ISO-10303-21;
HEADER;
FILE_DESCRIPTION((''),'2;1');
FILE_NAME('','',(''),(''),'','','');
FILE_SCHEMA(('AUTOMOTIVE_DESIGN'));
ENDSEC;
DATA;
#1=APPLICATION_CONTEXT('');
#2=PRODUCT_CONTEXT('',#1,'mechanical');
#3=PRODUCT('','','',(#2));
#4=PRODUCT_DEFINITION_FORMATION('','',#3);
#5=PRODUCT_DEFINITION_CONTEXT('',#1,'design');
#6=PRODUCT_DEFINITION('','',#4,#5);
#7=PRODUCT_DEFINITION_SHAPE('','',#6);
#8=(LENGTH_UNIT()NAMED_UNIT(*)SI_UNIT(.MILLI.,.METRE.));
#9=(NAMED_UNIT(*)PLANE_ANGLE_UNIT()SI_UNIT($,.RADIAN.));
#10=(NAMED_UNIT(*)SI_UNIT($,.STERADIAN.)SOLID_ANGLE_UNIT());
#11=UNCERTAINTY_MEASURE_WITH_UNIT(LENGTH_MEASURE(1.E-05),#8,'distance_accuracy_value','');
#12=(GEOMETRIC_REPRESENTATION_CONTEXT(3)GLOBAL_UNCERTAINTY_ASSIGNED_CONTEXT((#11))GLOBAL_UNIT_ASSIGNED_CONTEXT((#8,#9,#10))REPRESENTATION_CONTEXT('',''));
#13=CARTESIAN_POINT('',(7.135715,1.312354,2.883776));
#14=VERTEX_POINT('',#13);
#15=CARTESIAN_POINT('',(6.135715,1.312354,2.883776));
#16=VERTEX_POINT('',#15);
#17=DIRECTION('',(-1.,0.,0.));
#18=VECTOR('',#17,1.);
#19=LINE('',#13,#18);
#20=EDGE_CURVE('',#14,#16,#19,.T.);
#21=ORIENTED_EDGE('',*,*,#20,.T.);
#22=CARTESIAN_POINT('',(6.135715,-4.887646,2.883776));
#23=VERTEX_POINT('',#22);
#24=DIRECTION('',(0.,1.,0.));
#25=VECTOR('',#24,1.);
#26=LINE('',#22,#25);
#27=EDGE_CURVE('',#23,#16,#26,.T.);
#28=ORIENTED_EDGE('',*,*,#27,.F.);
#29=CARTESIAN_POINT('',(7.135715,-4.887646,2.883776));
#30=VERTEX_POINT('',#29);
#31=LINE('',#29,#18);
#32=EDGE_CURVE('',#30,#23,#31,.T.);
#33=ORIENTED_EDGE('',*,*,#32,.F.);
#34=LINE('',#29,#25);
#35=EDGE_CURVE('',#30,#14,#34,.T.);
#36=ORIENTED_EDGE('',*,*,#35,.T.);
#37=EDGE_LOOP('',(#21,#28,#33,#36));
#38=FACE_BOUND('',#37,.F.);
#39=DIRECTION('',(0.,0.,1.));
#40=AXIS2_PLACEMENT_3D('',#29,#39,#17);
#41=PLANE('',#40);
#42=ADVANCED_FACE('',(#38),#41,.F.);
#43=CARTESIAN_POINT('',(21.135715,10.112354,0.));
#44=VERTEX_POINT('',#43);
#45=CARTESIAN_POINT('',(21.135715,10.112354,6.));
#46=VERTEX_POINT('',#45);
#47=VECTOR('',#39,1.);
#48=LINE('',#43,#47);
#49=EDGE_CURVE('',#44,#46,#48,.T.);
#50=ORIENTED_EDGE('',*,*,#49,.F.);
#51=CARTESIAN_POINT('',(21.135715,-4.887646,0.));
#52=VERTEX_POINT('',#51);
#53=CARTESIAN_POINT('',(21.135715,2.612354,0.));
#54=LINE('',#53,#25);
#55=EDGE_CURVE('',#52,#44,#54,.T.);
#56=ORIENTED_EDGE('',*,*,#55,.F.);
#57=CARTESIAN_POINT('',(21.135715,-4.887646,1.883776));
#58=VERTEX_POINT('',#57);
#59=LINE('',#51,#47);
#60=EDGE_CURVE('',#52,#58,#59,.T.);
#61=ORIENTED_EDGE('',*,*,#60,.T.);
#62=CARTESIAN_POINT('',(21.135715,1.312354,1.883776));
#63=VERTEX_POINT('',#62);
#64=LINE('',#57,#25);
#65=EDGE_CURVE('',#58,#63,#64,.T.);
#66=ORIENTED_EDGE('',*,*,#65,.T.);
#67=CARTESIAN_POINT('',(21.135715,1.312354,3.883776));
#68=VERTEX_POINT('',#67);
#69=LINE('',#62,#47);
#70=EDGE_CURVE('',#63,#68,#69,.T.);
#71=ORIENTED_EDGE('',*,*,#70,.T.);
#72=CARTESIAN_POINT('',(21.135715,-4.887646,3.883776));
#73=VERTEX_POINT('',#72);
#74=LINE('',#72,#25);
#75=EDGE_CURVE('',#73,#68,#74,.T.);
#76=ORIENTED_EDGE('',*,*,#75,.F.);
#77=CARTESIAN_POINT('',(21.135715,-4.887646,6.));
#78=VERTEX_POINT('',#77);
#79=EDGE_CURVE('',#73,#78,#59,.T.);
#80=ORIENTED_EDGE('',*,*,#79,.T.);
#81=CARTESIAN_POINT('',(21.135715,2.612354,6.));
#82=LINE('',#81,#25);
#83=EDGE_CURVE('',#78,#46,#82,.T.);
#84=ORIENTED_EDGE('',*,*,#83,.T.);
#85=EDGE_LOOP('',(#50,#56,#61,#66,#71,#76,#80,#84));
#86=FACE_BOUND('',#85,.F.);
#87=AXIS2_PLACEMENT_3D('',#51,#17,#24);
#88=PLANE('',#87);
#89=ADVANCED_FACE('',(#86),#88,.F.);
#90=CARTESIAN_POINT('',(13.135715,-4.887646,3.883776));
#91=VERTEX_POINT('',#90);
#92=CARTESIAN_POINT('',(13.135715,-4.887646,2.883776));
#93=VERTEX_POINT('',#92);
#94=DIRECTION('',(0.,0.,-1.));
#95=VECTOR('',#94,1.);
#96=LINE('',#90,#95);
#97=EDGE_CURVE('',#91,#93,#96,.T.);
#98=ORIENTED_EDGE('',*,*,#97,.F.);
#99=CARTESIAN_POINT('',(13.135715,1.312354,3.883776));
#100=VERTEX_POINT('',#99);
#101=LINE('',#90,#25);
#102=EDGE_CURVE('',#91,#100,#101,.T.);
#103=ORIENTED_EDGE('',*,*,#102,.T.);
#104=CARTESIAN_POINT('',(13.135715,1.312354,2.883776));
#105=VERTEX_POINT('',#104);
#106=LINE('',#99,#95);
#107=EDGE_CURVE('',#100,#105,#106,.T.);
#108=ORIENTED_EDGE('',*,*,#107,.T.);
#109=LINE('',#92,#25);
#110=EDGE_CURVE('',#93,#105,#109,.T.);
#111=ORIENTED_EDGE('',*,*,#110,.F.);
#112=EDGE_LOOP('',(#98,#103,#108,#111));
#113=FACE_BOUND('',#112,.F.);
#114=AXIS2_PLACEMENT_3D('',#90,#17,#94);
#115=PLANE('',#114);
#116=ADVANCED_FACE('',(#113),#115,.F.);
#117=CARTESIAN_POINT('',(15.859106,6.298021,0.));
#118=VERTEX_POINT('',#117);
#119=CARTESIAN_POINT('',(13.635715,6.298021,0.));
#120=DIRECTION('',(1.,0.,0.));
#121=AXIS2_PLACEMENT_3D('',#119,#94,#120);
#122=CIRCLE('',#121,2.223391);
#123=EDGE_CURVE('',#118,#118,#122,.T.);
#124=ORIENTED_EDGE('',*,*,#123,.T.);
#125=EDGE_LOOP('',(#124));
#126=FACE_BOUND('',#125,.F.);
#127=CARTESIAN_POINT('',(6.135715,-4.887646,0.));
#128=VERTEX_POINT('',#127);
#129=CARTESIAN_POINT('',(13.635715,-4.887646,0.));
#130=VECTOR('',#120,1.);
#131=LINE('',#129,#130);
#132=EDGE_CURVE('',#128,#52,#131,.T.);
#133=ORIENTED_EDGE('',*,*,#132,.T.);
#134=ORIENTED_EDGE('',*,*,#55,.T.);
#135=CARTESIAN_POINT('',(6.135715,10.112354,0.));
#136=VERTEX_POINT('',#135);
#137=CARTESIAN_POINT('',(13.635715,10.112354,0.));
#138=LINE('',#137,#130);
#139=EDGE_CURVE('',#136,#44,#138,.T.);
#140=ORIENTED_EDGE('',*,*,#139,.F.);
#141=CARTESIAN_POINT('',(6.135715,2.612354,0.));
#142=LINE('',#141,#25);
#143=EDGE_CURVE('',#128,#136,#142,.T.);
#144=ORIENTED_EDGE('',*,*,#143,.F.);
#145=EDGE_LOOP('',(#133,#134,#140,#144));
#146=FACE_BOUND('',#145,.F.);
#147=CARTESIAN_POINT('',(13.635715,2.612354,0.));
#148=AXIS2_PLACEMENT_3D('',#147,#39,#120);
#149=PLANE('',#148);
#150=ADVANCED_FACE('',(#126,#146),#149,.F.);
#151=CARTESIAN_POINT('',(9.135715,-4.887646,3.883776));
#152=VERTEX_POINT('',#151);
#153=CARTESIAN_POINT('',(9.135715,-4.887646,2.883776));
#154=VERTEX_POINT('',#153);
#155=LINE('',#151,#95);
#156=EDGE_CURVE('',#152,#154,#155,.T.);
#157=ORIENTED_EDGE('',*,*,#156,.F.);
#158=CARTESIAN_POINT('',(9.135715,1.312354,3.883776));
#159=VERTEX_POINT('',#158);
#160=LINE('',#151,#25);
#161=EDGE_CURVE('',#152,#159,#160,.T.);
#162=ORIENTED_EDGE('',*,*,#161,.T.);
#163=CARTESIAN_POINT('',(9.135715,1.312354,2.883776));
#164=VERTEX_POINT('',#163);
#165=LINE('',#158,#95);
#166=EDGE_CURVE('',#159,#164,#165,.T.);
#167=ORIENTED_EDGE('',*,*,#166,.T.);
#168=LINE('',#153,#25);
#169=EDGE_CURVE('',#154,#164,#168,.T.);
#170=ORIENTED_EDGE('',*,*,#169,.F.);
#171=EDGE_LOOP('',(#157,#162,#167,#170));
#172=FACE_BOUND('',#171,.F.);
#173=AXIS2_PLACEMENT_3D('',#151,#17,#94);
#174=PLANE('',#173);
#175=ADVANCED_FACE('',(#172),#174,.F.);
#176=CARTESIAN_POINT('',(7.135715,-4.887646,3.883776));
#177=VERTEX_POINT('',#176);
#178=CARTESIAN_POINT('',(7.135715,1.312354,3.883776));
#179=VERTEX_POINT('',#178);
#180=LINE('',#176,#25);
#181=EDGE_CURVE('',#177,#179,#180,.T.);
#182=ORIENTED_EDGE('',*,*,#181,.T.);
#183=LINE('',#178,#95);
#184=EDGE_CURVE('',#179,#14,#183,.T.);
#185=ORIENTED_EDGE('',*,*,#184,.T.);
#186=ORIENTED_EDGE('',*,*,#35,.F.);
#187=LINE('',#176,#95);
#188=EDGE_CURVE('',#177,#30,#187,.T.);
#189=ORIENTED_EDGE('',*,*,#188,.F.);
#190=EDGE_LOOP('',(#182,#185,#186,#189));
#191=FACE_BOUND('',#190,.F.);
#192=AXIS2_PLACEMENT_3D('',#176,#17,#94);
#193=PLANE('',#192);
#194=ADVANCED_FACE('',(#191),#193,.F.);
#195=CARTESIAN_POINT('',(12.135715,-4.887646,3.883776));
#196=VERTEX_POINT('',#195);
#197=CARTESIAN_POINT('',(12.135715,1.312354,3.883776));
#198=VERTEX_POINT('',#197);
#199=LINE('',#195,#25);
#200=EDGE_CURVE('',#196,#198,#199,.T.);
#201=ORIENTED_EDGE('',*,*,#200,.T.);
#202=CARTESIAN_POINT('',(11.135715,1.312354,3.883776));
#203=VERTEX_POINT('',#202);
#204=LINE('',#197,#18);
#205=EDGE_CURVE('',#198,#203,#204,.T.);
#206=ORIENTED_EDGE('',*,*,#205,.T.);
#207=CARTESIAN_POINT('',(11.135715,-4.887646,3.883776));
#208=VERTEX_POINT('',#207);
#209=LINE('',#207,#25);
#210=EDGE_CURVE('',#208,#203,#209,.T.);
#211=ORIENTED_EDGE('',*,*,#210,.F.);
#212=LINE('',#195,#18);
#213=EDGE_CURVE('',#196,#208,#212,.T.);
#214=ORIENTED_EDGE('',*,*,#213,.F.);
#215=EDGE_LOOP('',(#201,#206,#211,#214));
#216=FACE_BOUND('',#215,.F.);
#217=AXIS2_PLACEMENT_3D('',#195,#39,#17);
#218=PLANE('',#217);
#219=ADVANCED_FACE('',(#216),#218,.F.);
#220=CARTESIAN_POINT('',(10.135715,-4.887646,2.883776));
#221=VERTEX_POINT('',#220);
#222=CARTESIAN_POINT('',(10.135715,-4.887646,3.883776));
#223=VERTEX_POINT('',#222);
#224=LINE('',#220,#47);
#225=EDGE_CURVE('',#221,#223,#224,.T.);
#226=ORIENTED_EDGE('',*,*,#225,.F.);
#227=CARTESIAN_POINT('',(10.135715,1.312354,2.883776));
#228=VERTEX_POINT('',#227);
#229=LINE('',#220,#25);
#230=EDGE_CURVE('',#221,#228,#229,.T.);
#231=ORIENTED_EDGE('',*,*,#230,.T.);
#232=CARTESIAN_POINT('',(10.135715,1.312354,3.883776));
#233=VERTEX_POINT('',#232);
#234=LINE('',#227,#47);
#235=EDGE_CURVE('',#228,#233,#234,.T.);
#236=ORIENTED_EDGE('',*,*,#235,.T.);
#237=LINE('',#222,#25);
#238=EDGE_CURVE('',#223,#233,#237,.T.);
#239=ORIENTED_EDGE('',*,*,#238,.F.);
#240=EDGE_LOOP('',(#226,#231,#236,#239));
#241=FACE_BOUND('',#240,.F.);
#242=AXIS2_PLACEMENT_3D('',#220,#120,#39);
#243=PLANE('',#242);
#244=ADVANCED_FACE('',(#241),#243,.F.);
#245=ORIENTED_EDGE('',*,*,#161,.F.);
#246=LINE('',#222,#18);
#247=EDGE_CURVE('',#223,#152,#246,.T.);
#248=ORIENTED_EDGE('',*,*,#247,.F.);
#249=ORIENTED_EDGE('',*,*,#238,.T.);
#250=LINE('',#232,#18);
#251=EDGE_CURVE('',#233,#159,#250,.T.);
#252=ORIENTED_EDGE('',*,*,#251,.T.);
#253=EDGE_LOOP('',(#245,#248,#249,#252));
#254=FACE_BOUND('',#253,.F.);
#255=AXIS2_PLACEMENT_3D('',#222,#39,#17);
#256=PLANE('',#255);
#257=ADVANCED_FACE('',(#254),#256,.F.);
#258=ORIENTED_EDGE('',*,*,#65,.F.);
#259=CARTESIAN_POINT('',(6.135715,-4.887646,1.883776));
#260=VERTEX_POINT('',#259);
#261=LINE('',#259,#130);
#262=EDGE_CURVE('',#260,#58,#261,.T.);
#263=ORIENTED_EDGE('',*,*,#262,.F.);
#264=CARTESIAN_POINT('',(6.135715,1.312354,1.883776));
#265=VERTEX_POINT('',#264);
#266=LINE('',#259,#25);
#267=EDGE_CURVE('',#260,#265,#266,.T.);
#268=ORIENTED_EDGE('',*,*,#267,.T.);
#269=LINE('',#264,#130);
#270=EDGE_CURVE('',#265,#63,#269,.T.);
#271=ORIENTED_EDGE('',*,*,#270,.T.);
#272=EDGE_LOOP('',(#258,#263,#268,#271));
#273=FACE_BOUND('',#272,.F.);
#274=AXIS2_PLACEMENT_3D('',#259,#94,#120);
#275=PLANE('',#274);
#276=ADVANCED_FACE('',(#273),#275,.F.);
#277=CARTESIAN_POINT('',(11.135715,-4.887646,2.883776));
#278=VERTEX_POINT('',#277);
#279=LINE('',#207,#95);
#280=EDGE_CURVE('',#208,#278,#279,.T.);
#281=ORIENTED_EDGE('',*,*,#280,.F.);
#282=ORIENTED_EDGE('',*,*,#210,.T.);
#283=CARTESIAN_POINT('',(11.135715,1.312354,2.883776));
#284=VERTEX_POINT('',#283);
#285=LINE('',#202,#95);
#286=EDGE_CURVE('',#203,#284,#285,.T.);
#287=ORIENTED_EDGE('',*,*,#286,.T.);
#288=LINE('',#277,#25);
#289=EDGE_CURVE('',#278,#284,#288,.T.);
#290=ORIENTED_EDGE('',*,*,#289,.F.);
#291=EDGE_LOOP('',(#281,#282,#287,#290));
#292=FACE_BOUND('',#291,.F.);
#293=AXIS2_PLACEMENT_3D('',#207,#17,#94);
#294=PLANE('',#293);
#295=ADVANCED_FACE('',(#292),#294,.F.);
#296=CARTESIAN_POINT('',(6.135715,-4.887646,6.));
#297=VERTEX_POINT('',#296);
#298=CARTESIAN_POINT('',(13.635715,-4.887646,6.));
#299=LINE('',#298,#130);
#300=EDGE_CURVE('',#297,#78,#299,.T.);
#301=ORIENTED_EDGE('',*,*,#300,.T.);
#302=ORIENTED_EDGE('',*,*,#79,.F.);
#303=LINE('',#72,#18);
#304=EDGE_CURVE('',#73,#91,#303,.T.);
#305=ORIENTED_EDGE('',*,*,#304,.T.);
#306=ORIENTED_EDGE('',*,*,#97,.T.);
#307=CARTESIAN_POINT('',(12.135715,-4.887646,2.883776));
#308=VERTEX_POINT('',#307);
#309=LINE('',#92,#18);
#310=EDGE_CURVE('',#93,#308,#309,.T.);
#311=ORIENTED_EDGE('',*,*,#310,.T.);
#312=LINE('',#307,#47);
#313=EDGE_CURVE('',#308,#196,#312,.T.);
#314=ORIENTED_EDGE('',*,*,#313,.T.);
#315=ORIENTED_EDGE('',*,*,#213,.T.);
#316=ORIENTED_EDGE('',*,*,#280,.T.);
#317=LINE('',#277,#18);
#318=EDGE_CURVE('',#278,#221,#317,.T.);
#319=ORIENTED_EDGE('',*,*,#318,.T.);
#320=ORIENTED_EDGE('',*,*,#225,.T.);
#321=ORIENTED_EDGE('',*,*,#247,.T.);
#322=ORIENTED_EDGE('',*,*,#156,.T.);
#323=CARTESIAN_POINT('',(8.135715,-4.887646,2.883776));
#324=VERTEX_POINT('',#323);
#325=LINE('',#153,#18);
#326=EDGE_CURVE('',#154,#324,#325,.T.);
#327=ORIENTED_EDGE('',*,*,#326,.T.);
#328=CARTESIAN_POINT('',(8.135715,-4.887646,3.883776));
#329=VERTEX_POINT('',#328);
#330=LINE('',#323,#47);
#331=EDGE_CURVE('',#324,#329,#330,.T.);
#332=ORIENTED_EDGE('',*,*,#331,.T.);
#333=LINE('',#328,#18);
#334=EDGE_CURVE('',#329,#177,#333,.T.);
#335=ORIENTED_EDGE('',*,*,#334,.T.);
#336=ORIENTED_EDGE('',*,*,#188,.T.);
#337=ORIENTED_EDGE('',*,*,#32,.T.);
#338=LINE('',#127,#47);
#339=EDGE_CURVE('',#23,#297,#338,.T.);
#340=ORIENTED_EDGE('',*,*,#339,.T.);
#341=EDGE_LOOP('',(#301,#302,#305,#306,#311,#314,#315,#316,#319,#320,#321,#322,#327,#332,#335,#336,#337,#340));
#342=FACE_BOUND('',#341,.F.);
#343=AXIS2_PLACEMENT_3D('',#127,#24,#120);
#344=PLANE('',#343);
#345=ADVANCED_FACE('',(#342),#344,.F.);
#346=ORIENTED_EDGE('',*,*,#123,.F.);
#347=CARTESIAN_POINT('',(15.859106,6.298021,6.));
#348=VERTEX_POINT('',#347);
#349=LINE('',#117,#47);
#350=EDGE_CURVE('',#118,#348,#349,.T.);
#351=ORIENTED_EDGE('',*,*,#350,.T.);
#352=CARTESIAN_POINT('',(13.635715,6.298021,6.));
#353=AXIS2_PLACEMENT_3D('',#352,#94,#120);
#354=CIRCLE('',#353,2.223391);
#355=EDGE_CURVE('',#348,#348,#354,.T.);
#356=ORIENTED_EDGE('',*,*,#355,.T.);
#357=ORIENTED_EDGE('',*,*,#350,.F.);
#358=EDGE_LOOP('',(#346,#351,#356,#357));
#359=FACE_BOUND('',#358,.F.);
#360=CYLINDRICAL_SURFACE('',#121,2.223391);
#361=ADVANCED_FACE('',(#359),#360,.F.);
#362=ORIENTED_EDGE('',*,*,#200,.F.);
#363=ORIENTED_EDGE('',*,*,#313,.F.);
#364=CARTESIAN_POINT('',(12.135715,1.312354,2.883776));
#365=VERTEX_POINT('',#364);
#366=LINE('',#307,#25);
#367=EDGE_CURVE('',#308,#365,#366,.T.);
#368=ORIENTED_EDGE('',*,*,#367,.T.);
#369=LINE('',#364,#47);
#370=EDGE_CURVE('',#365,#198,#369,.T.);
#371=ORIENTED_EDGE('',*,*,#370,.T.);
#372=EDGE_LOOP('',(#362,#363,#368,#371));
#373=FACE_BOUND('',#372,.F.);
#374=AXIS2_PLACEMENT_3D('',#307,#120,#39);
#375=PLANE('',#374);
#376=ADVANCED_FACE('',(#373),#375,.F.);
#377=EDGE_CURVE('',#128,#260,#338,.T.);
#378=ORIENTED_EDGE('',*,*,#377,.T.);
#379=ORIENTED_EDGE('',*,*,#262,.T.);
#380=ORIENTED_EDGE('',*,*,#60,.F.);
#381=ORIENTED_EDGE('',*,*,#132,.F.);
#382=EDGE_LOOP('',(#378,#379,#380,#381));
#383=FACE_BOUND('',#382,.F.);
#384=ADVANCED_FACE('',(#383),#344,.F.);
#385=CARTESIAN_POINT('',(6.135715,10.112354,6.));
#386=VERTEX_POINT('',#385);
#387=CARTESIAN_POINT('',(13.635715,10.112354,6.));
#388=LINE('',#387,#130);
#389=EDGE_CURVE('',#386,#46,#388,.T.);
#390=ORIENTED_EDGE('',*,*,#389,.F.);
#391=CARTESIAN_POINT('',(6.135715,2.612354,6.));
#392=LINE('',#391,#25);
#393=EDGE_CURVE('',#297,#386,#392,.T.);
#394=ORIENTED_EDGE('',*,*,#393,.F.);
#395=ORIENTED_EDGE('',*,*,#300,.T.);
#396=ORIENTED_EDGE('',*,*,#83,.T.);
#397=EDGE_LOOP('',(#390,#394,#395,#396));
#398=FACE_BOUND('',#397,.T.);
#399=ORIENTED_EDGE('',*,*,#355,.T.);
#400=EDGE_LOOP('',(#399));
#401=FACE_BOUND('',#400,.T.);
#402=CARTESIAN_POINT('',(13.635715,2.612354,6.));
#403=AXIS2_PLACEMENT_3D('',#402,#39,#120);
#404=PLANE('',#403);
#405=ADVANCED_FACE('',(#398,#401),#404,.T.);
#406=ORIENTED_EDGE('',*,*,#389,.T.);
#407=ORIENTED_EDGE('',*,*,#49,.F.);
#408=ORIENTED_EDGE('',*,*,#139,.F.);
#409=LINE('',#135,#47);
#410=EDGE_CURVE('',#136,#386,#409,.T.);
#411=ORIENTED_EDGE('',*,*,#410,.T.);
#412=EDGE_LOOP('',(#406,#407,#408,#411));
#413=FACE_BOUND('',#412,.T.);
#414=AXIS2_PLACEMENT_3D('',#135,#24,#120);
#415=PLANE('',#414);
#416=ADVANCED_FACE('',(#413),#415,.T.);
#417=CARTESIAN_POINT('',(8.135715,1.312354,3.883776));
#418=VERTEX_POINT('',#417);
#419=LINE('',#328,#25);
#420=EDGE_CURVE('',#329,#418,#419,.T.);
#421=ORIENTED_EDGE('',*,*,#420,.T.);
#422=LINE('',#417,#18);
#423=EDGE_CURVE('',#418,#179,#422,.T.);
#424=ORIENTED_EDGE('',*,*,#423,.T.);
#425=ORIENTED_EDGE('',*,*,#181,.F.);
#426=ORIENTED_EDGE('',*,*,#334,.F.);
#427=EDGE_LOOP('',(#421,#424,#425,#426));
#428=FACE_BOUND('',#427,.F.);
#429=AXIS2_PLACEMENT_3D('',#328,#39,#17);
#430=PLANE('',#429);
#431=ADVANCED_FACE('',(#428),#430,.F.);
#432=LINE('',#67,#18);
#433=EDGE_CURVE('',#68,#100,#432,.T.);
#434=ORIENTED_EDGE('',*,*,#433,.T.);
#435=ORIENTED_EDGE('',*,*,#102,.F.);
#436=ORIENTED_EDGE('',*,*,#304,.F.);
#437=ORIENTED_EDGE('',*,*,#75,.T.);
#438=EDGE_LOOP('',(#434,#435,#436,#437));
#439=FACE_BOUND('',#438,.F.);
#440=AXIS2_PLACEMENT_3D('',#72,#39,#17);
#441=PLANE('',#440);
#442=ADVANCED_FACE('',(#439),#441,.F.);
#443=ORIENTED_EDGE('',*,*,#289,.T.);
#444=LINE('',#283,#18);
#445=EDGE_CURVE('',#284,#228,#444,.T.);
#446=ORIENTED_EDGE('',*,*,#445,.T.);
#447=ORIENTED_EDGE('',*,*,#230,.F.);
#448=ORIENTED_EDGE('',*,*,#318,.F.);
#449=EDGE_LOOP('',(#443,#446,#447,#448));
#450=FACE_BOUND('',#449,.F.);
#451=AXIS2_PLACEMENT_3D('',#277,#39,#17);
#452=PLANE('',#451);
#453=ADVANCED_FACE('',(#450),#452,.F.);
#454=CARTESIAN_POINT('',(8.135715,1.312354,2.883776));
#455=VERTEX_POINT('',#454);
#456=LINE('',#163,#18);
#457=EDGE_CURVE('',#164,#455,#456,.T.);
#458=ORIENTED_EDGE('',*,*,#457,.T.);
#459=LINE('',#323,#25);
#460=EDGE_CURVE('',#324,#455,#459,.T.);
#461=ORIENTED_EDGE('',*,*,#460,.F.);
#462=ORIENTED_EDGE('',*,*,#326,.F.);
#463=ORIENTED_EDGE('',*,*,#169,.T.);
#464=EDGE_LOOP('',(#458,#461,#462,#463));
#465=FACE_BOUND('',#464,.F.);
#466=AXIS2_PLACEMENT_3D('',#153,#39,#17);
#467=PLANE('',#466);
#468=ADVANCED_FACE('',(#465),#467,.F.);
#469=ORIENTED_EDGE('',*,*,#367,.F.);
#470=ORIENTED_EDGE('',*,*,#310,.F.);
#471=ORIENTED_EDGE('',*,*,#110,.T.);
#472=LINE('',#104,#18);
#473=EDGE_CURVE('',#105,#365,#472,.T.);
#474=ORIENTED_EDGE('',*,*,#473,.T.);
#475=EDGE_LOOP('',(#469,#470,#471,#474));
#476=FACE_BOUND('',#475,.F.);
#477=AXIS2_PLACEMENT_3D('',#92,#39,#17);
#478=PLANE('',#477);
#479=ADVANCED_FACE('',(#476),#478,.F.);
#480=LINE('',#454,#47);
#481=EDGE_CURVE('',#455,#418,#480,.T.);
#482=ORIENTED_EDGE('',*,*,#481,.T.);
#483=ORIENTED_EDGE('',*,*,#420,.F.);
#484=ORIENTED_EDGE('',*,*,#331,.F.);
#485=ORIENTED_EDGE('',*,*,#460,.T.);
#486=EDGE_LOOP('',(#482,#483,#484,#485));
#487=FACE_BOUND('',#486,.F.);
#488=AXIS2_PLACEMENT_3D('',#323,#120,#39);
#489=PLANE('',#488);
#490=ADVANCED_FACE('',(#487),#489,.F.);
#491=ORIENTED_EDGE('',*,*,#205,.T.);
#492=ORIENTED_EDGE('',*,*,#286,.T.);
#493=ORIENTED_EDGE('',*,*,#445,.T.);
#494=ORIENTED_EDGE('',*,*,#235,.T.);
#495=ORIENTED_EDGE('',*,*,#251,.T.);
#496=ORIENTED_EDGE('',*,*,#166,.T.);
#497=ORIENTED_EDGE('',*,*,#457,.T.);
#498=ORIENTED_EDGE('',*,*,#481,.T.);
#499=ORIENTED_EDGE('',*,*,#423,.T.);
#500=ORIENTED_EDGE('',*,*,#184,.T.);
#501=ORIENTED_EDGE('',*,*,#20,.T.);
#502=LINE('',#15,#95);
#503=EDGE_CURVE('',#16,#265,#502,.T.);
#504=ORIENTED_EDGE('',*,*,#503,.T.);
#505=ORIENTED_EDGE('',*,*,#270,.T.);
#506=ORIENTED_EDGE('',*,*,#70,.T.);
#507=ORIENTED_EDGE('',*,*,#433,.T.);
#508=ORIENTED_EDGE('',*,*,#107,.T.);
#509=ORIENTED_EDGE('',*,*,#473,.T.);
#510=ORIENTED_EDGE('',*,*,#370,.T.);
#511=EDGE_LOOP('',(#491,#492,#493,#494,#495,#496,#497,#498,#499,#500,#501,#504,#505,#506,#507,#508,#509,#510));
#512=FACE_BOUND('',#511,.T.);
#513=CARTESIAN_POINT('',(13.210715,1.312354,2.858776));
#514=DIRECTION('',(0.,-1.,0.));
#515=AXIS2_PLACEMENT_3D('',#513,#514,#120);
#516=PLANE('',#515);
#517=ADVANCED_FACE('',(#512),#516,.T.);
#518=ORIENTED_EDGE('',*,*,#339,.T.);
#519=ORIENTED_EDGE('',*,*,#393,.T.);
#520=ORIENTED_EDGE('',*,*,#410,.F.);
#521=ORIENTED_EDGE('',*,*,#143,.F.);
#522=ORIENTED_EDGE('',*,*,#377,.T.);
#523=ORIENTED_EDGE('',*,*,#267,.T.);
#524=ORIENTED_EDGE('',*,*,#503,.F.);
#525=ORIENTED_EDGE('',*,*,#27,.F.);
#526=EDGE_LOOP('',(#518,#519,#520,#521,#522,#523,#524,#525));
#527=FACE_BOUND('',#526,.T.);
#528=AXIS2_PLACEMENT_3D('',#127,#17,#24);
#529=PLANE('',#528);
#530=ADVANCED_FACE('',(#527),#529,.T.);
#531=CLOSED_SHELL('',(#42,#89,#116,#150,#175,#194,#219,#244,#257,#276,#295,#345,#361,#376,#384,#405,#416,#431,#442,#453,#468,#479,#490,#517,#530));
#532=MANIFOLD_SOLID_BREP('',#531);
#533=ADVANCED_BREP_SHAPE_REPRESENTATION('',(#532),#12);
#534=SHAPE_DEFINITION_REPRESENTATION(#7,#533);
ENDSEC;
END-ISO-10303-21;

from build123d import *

# Parameters (mm, degrees)
F0_W     = 15
F0_H     = 15
F1_DEPTH = 6
F3_DEPTH = 6.2
F4_R     = 2.223391
F5_DEPTH = 25


with BuildPart() as f1:
    # F0 (on Top) → F1 (new body)
    with BuildSketch(Plane.XY):
        with Locations((13.635715, 2.612354)):
            Rectangle(F0_W, F0_H)
    extrude(amount=F1_DEPTH)

    # F2 (on face) → F3 (cut)
    with BuildSketch(Plane.XZ.offset(4.887646)):
        Polygon((6.135715, 2.883776), (6.135715, 1.883776), (21.135715, 1.883776), (21.135715, 3.883776), (14.135715, 3.883776), (13.135715, 3.883776), (13.135715, 2.883776), (12.135715, 2.883776), (12.135715, 3.883776), (11.135715, 3.883776), (11.135715, 2.883776), (10.135715, 2.883776), (10.135715, 3.883776), (9.135715, 3.883776), (9.135715, 2.883776), (8.135715, 2.883776), (8.135715, 3.883776), (7.135715, 3.883776), (7.135715, 2.883776), align=None)
    extrude(amount=-F3_DEPTH, mode=Mode.SUBTRACT)

    # F4 (on face) → F5 (cut)
    with BuildSketch(Plane(origin=(0, 0, 0), x_dir=(1, 0, 0), z_dir=(0, 0, -1))):
        with Locations((13.635715, -6.298021)):
            Circle(F4_R)
    extrude(amount=-F5_DEPTH, mode=Mode.SUBTRACT)


solid = f1.part
